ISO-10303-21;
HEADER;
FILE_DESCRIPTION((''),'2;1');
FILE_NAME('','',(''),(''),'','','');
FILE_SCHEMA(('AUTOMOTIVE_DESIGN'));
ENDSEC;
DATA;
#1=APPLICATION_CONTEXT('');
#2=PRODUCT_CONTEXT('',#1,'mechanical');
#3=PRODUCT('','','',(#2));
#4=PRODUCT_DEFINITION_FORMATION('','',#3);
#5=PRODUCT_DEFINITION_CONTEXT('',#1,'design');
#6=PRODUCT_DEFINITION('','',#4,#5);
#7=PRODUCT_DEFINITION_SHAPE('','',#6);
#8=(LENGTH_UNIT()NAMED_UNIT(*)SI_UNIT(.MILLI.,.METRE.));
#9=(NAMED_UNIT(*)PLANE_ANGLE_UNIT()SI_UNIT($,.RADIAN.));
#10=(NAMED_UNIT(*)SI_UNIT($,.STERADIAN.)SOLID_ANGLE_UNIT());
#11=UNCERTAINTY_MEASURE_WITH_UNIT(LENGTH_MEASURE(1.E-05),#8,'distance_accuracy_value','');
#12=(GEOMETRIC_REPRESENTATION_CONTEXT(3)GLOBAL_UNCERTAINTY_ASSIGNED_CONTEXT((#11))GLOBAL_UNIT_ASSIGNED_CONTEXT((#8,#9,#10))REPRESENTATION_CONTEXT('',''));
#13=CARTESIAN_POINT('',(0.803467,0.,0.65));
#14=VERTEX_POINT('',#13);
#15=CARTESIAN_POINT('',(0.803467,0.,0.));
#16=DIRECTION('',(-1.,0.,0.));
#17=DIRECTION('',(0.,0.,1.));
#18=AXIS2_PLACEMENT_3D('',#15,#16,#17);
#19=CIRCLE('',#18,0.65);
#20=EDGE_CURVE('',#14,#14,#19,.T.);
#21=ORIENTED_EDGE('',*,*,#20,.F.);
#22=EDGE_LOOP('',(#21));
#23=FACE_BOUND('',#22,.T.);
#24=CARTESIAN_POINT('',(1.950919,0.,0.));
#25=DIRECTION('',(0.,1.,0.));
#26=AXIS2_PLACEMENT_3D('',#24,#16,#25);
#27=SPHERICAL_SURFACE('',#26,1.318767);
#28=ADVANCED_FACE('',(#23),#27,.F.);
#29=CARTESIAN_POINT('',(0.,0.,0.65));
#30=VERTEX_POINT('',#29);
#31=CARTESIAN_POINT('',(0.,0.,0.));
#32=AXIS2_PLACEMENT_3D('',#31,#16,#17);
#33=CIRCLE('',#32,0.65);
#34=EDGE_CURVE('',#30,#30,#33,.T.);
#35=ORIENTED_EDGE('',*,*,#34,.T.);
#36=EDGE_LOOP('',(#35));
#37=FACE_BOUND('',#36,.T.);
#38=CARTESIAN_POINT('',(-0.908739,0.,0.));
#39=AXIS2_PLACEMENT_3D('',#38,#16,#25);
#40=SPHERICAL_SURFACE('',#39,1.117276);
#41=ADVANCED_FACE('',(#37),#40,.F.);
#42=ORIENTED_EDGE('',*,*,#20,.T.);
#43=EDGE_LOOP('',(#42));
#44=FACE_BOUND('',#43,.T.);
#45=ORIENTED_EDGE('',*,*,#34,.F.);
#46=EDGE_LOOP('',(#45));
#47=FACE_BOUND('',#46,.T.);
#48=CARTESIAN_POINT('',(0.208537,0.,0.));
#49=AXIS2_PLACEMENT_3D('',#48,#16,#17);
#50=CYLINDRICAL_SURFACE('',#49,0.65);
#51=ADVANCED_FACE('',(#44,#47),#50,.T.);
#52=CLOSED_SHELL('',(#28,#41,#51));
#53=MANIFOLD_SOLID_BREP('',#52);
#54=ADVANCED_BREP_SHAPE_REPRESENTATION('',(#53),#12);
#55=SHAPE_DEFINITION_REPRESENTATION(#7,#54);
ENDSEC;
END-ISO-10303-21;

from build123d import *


with BuildPart() as part:
    # 草图1 → 旋转1 (revolve)
    with BuildSketch(Plane.XY):
        with BuildLine():
            ThreePointArc((0, 0.65), (0.155126411, 0.341316514), (0.20853741, 0))
            Line((0.20853741, 0), (0.632151821, 0))
            ThreePointArc((0.632151821, 0), (0.675699544, 0.336098491), (0.803466688, 0.65))
            Line((0.803466688, 0.65), (0.606933375, 0.65))
            Line((0.606933375, 0.65), (0, 0.65))
        make_face()
    revolve(axis=Axis((0.20853741, 0, 0), (1, 0, 0)))


solid = part.part
